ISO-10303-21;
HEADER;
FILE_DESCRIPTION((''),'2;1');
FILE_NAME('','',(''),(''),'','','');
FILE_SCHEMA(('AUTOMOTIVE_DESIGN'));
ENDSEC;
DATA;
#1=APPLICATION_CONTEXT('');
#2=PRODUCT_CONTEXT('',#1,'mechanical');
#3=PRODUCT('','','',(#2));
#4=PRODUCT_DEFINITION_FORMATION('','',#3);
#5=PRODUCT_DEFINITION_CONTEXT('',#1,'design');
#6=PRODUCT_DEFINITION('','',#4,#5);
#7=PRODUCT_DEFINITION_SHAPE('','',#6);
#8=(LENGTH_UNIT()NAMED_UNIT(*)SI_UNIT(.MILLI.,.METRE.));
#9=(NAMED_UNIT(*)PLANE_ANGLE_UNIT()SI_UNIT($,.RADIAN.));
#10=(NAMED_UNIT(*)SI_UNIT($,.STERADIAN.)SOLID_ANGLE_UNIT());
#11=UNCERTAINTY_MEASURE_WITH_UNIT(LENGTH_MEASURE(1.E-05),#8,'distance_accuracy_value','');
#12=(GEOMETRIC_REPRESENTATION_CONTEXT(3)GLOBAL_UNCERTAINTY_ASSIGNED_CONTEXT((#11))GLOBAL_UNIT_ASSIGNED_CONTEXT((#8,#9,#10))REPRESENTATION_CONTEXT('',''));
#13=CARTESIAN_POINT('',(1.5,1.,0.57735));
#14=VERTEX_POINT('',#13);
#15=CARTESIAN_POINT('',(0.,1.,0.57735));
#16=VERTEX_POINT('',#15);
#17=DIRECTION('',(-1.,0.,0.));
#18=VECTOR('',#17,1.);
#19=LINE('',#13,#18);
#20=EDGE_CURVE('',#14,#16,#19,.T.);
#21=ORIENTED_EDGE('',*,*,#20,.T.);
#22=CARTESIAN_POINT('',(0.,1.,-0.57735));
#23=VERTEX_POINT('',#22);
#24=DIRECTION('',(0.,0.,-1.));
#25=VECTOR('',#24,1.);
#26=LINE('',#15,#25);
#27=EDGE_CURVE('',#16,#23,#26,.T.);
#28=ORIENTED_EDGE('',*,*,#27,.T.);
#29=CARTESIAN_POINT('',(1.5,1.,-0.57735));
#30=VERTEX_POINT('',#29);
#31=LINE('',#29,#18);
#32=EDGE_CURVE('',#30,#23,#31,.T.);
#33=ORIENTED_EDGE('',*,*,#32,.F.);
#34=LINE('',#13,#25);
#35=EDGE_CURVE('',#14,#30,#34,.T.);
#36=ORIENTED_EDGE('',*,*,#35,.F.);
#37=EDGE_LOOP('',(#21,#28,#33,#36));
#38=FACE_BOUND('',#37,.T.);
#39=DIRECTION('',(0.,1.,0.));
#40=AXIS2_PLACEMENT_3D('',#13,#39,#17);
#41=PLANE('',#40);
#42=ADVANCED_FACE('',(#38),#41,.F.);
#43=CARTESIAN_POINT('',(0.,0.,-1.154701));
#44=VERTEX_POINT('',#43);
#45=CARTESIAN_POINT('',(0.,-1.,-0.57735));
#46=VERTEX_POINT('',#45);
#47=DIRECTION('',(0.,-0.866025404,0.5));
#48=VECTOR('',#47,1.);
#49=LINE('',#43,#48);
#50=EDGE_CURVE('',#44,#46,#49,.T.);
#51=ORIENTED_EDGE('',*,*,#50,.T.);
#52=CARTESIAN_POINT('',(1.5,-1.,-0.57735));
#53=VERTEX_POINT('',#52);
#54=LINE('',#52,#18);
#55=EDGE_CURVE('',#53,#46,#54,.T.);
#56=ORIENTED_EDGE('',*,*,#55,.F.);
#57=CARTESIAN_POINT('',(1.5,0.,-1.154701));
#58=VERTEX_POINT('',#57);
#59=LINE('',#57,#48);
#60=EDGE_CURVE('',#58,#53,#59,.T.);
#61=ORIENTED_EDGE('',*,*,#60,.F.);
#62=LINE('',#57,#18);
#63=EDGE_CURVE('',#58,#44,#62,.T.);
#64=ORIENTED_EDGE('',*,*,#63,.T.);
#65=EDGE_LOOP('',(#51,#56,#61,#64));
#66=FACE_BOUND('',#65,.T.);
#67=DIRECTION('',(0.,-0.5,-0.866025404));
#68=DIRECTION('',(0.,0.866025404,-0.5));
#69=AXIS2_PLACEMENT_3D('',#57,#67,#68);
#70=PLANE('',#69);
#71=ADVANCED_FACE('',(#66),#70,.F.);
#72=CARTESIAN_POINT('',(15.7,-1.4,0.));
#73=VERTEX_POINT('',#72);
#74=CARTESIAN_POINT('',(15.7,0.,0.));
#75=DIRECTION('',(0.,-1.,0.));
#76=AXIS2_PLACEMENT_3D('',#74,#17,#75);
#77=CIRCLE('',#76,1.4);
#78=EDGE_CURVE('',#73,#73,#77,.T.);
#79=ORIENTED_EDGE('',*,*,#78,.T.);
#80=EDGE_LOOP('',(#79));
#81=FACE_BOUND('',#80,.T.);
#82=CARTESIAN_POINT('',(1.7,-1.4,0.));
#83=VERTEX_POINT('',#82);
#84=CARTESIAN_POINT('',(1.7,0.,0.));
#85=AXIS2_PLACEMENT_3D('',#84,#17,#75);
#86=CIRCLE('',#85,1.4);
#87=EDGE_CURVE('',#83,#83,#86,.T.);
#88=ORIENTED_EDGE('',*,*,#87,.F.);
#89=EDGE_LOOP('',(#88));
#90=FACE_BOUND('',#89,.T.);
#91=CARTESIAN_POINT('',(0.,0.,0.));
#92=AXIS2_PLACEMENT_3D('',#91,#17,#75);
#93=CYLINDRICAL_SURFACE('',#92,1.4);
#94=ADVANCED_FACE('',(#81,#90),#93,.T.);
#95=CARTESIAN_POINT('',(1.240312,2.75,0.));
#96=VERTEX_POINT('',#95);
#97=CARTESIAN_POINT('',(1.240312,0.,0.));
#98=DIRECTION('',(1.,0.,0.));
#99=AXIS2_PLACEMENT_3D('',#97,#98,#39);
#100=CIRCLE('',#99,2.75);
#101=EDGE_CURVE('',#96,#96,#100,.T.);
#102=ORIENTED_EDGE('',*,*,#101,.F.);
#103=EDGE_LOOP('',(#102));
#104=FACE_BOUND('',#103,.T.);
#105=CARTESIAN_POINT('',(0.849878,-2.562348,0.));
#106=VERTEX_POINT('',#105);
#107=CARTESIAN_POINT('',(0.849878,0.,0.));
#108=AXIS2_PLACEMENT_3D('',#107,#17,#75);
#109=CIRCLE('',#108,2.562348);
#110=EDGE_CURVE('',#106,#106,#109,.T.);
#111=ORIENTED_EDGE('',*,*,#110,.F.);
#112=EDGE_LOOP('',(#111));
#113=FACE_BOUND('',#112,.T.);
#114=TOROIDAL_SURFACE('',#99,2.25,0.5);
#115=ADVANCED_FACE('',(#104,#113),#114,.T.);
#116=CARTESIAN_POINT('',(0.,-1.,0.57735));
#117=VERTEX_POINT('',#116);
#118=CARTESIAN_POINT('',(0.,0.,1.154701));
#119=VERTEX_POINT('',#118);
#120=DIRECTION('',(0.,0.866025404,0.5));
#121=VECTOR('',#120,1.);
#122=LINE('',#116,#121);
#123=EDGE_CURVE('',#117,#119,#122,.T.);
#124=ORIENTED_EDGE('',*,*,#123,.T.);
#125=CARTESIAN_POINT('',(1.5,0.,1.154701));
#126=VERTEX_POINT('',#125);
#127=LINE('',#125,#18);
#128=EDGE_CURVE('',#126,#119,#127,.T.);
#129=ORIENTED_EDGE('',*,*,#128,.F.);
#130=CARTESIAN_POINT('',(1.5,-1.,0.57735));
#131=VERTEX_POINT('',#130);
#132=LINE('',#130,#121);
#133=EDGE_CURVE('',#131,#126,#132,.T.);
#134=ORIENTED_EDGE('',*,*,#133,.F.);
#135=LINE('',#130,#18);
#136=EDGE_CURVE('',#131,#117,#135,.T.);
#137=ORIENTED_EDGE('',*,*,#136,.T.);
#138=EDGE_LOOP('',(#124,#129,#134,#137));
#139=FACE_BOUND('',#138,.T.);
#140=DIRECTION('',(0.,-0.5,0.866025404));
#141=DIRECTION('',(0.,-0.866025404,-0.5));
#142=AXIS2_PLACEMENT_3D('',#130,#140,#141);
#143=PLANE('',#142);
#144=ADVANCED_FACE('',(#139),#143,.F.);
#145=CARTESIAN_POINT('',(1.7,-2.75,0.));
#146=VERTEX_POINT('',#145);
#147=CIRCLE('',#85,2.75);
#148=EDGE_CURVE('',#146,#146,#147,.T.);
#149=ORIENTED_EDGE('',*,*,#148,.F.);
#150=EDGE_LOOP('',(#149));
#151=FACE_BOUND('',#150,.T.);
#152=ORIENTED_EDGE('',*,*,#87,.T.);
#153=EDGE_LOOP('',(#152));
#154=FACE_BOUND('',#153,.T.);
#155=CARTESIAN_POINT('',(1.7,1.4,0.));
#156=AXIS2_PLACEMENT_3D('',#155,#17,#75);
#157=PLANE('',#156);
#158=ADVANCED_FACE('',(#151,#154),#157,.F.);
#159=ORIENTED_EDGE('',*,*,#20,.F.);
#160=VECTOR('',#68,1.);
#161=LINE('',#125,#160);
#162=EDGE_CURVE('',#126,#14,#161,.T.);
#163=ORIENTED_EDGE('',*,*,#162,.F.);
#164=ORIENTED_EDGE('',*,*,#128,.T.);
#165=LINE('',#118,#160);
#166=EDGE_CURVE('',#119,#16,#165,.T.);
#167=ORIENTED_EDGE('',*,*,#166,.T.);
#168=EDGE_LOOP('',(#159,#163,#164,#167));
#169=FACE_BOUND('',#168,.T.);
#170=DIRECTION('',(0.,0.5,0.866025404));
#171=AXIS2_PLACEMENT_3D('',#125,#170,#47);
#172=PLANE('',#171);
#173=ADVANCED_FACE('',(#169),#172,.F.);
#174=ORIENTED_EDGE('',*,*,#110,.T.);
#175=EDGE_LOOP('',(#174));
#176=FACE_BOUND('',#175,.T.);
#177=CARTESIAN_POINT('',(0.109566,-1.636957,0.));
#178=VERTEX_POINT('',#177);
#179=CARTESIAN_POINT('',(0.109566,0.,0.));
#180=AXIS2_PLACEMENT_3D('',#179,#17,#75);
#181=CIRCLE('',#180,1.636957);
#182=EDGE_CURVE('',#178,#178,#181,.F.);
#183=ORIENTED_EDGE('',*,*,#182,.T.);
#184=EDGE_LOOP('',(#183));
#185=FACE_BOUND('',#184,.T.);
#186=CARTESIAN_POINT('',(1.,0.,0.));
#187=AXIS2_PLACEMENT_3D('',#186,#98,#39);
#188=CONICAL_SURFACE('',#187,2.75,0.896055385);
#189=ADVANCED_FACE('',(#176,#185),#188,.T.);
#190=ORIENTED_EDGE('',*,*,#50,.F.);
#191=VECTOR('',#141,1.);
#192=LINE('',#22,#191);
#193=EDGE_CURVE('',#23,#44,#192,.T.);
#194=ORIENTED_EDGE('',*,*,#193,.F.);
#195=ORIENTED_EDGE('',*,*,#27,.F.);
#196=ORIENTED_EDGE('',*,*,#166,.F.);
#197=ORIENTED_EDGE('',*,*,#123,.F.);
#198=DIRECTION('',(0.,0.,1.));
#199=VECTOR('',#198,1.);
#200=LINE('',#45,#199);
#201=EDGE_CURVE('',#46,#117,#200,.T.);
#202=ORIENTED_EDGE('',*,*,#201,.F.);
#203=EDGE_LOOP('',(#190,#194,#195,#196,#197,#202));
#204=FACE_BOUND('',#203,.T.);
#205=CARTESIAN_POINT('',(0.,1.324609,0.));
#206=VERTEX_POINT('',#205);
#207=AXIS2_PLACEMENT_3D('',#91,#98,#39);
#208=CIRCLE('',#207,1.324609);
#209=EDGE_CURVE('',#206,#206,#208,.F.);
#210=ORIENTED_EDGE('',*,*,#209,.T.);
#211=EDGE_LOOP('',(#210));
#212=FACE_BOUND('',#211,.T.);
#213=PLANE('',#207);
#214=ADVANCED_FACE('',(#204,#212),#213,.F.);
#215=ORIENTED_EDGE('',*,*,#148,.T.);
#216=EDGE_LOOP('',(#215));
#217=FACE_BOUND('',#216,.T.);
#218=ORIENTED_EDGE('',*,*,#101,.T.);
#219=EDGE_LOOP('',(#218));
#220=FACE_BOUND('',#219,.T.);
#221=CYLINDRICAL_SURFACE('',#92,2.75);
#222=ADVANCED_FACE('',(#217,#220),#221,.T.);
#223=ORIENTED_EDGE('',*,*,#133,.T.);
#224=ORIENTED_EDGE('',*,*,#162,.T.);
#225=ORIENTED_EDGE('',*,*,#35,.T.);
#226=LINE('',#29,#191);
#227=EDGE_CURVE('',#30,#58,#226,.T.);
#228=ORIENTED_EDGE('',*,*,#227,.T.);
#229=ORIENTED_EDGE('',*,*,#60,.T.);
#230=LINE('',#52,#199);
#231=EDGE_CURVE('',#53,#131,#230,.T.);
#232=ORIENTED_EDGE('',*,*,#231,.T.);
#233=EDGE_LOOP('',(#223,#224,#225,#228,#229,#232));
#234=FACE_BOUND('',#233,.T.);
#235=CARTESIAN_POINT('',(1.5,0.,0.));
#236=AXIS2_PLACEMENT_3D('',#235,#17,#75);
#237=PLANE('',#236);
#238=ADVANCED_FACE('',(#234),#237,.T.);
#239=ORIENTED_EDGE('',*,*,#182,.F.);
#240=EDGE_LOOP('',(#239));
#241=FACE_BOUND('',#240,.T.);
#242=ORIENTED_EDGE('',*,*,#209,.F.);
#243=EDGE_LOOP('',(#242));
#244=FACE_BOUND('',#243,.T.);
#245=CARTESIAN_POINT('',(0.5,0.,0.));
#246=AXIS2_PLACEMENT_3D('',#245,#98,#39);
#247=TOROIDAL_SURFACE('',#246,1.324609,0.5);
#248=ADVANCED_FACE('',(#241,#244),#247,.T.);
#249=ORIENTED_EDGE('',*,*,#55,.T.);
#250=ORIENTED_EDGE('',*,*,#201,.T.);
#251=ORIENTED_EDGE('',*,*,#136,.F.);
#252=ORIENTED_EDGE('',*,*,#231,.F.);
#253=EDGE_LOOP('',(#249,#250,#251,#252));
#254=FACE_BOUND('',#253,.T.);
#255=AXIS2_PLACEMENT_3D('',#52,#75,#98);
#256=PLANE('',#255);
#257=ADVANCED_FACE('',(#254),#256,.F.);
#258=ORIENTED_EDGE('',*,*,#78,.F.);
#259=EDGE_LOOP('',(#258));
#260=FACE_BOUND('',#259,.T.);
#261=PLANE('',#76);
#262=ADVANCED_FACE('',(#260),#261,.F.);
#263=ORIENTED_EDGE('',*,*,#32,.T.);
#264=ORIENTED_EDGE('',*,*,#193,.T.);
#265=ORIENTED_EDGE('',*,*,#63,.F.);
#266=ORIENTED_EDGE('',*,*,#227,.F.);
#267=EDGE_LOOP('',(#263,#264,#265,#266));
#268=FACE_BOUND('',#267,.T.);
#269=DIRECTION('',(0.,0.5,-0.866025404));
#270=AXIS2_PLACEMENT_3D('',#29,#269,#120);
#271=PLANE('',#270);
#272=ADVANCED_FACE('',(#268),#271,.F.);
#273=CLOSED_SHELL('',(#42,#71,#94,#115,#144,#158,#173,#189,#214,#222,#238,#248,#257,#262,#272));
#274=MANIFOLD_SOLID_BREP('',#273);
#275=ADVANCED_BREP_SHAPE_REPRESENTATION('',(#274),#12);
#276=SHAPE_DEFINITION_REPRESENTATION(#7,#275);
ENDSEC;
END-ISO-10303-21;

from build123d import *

# Parameters (mm, degrees)
CUT_EXTRUDE1_DEPTH = 1.5
FILLET1_R          = 0.5


with BuildPart() as part:
    # Sketch1 → Revolve1 (revolve)
    with BuildSketch(Plane.XY, mode=Mode.PRIVATE) as revolve1_sk:
        Polygon((15.7, 0), (15.7, 1.4), (1.7, 1.4), (1.7, 2.75), (1, 2.75), (0, 1.5), (0, 0), align=None)
    revolve(revolve1_sk.sketch.rotate(Axis((0, 0, 0), (1, 0, 0)), 180), axis=Axis((0, 0, 0), (1, 0, 0)))

    # Sketch2 → Cut-Extrude1 (cut)
    with BuildSketch(Plane.ZY):
        Polygon((1.154700538, 0), (0.577350269, 1), (-0.577350269, 1), (-1.154700538, 0), (-0.577350269, -1), (0.577350269, -1), align=None)
    extrude(amount=-CUT_EXTRUDE1_DEPTH, mode=Mode.SUBTRACT)

    # Fillet1
    fillet1_edges = [part.edges().sort_by_distance(p)[0] for p in [
        (1, 2.75, 0),
        (0, 1.5, 0),
    ]]
    fillet(fillet1_edges, radius=FILLET1_R)


solid = part.part
